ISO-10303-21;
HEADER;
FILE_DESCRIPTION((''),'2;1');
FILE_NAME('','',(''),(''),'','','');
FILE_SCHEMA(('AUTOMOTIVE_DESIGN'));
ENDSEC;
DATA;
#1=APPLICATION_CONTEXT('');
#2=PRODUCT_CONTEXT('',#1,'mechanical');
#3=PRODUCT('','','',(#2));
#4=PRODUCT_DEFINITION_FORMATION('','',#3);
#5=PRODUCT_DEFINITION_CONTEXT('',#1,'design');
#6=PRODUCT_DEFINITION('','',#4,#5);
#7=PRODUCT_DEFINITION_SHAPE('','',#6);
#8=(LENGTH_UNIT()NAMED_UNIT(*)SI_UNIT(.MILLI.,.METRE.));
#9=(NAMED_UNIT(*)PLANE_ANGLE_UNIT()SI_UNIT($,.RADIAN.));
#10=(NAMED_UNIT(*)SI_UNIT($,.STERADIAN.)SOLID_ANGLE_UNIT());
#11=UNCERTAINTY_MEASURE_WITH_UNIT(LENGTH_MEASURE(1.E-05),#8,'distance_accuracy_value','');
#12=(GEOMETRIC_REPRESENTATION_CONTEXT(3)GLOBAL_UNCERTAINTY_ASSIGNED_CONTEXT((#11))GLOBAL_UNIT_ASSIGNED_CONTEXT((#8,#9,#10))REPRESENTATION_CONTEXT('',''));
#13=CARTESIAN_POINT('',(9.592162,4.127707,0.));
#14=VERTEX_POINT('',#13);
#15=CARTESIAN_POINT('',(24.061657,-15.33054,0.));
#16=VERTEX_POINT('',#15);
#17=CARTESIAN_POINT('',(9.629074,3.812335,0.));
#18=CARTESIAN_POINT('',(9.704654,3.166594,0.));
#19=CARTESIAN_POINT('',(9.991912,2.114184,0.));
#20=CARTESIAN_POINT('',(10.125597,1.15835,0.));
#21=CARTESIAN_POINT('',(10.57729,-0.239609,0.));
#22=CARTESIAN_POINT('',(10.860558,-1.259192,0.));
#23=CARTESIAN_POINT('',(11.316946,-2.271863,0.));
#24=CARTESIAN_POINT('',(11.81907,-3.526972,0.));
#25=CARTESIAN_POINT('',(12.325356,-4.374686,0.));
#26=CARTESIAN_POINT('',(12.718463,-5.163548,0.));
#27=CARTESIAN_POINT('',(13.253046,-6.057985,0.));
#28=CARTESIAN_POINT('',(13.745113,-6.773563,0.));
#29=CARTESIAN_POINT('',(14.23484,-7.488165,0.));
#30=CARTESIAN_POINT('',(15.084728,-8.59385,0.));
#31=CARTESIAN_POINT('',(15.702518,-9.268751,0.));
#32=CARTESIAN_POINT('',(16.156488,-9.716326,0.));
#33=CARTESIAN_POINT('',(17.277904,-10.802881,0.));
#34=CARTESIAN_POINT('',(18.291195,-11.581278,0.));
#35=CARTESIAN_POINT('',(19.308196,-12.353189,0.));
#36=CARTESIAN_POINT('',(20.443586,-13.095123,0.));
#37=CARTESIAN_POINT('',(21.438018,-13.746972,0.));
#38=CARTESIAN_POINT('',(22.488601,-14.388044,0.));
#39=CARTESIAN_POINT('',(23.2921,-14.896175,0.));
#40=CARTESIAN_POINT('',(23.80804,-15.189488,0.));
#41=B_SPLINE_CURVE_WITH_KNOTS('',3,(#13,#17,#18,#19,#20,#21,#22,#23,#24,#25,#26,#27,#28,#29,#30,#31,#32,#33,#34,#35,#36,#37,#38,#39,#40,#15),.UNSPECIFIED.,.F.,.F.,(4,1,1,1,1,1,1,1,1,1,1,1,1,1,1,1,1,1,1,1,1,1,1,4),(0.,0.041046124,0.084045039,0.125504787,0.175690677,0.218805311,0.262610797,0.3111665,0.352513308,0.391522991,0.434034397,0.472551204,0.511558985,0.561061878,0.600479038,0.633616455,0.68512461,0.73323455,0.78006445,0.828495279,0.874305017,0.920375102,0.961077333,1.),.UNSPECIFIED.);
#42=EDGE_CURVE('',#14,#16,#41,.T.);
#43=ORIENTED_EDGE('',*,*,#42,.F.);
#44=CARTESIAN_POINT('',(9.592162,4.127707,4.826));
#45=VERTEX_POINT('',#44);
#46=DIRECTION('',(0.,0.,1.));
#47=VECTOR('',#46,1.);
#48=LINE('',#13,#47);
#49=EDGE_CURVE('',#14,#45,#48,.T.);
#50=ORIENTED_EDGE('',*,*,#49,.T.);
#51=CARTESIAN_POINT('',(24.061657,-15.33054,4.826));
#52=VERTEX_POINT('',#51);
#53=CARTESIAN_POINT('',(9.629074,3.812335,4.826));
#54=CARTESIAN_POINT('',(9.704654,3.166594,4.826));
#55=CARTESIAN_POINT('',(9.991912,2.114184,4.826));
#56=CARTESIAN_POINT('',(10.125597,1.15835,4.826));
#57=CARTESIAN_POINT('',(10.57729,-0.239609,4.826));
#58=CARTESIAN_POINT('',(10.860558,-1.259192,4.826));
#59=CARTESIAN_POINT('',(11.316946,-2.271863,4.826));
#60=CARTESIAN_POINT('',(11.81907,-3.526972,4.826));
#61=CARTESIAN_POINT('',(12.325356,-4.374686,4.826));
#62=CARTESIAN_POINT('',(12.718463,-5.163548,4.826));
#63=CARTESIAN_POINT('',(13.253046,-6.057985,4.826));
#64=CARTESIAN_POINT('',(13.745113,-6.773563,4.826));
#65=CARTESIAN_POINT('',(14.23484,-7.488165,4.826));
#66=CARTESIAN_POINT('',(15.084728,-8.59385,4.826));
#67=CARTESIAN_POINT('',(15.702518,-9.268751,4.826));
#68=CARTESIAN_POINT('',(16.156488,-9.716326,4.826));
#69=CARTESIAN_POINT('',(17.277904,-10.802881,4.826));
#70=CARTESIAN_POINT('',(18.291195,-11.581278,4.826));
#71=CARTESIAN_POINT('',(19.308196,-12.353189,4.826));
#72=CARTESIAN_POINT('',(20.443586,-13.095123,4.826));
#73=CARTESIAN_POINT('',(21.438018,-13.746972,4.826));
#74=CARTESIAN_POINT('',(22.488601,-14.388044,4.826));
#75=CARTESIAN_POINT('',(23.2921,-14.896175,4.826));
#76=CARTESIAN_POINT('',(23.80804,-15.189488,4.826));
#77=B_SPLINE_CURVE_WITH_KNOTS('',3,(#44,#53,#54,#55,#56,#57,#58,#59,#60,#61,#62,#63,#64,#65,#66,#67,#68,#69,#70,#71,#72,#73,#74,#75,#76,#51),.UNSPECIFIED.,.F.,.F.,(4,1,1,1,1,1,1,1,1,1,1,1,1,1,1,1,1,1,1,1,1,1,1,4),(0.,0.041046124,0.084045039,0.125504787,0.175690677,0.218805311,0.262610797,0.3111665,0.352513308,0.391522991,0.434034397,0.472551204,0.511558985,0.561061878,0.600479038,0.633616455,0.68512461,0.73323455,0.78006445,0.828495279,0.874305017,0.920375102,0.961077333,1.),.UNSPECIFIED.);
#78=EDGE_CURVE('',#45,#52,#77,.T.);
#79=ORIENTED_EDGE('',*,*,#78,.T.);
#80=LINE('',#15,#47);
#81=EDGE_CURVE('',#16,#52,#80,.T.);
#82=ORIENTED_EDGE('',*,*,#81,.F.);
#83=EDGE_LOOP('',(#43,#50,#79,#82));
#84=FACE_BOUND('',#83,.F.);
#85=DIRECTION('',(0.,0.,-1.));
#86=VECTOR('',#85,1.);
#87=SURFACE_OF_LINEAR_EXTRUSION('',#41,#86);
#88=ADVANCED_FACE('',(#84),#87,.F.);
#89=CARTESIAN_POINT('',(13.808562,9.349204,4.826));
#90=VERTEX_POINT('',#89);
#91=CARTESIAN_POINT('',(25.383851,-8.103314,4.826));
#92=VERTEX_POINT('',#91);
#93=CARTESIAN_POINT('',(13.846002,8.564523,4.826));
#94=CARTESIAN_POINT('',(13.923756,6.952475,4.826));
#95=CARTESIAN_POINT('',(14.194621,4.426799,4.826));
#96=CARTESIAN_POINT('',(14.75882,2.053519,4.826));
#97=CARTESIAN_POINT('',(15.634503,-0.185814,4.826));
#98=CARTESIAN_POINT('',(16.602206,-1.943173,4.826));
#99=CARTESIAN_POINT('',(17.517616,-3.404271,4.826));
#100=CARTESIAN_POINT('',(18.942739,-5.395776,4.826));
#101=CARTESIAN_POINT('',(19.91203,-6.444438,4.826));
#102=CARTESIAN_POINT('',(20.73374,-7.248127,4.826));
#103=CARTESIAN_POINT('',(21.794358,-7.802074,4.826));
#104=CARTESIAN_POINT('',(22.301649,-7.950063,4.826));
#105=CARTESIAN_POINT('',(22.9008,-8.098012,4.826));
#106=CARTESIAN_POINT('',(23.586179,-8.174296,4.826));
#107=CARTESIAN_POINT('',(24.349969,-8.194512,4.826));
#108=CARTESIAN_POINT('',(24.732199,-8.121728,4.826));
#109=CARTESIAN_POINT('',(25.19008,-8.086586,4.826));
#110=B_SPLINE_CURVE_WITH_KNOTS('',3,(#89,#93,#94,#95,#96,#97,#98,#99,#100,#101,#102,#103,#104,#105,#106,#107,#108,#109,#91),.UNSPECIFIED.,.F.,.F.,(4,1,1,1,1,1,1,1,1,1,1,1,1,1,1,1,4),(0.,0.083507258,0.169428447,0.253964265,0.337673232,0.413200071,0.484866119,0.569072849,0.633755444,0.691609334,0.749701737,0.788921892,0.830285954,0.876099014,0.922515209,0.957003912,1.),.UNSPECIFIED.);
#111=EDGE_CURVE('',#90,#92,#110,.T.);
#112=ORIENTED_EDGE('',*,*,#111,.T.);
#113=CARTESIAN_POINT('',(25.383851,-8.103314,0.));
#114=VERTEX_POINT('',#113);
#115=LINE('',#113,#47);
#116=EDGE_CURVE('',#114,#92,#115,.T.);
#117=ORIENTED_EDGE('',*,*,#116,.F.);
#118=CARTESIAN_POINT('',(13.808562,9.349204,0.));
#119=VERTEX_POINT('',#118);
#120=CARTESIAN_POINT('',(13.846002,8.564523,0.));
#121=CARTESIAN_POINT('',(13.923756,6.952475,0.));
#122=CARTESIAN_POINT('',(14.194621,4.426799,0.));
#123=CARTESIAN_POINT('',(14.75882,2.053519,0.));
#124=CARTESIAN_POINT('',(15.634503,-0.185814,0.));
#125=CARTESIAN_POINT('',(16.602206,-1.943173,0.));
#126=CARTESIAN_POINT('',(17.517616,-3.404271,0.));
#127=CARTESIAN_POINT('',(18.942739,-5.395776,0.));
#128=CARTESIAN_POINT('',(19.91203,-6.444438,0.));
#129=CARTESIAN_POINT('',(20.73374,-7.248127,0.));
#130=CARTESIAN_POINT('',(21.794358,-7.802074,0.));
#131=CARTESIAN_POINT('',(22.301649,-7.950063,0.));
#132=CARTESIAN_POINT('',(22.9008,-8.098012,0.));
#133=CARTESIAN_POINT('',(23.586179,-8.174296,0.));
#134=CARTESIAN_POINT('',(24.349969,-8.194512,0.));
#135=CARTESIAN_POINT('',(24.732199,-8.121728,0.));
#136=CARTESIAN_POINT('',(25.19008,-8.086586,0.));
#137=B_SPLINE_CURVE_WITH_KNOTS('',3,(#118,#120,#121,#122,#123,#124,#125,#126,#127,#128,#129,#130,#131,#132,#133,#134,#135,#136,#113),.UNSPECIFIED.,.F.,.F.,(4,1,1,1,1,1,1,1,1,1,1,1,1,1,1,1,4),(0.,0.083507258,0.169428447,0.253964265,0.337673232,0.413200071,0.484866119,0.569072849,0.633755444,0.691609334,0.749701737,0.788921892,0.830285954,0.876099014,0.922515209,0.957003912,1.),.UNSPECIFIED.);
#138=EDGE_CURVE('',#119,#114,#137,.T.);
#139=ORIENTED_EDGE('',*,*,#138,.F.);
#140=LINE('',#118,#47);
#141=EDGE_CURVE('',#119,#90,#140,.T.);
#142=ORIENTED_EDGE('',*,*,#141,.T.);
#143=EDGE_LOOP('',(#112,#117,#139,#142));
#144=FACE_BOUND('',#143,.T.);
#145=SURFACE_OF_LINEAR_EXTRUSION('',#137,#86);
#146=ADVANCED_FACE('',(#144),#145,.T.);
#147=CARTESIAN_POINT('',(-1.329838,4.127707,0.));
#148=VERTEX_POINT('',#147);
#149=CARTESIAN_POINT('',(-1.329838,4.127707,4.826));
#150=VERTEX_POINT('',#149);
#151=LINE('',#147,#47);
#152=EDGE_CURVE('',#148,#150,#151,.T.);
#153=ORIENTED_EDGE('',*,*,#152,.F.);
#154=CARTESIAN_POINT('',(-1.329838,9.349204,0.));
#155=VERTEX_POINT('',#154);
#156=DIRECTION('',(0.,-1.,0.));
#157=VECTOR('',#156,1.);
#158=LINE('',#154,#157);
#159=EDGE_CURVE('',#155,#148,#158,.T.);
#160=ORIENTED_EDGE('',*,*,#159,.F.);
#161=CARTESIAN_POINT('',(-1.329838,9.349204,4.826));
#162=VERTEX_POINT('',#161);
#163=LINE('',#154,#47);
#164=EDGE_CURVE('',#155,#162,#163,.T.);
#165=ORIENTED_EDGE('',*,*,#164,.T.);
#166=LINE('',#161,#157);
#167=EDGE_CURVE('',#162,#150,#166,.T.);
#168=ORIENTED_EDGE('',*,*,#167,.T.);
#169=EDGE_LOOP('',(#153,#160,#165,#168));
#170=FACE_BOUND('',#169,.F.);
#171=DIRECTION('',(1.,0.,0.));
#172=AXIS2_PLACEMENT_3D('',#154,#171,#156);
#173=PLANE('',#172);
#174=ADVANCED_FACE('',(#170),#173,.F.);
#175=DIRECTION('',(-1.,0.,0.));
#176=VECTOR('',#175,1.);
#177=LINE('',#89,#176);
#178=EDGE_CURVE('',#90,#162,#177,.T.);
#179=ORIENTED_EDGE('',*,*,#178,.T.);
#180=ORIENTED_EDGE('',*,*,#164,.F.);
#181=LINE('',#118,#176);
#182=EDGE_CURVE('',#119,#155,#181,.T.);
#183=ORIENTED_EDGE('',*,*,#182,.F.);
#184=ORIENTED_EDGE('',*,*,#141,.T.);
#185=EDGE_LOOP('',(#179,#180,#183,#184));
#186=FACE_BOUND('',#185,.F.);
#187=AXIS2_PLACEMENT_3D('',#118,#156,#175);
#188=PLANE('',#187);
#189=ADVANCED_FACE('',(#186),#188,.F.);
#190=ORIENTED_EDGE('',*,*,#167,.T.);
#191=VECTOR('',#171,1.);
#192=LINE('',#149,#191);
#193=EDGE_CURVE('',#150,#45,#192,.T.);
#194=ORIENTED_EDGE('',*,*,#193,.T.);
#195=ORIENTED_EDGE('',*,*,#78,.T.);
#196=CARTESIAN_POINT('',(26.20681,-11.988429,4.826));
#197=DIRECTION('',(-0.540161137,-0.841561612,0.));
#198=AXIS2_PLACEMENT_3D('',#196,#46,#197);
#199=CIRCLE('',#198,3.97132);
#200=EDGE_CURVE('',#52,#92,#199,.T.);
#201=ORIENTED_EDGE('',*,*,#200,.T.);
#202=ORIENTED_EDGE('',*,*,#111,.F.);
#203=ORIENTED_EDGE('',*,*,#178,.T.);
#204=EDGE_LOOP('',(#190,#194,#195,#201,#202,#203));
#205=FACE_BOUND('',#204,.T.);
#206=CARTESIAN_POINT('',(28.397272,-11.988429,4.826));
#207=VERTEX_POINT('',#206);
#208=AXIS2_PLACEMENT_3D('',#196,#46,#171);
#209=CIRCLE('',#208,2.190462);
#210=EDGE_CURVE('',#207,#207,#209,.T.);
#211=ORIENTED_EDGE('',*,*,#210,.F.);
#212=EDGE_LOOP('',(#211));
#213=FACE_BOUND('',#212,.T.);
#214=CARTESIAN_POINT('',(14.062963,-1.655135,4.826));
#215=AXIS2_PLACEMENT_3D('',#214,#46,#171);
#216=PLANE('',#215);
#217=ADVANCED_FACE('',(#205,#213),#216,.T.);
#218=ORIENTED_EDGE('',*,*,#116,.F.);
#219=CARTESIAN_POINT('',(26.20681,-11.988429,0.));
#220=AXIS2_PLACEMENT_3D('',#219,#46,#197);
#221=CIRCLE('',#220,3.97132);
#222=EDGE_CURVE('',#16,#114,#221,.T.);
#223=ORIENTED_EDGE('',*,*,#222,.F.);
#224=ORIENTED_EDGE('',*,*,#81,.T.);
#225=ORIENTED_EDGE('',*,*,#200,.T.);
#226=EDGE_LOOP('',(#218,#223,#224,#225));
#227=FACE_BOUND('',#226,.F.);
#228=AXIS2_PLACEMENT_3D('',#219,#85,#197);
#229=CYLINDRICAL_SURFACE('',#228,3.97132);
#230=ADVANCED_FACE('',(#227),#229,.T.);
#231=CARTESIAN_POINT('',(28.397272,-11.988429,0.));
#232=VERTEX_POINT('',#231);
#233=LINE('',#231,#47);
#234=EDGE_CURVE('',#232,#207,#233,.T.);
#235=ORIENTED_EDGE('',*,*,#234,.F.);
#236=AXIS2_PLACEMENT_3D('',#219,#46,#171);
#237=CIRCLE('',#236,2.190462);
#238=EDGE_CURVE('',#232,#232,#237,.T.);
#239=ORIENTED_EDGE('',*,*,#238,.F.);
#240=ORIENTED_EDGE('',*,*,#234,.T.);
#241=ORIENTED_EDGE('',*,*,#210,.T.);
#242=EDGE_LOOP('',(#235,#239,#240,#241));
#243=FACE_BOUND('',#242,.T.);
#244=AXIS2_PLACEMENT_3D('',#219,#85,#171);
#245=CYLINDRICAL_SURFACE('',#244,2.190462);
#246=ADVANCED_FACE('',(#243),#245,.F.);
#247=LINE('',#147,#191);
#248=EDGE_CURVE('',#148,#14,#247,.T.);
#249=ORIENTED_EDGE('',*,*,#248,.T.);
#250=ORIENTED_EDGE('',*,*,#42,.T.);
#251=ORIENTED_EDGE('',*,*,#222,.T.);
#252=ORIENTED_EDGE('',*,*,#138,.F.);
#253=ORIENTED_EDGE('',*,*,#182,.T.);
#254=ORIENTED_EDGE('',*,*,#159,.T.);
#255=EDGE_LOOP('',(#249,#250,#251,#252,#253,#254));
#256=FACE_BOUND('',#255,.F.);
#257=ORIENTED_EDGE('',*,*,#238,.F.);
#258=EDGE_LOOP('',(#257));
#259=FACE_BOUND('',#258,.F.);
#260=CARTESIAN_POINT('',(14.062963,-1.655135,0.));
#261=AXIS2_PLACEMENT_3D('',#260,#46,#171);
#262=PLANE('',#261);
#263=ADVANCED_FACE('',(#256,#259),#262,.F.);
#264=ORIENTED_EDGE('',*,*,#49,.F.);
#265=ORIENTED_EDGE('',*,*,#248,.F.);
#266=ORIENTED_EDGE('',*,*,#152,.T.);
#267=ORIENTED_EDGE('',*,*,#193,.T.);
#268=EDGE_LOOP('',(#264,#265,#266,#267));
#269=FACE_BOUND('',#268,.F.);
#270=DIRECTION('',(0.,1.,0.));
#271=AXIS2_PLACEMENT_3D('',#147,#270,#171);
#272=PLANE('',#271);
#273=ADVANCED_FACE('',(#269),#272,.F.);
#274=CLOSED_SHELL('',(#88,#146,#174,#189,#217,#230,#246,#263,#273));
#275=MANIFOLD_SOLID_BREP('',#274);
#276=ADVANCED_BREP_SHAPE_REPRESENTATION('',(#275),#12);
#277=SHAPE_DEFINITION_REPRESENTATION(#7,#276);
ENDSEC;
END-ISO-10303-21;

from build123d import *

# Parameters (mm, degrees)
F0_R     = 2.1904615563
F1_DEPTH = 4.826


with BuildPart() as f1:
    # F0 (on Top) → F1 (new body)
    with BuildSketch(Plane.XY):
        with BuildLine():
            add(Edge.make_bspline(
                [(9.5921617017, 4.1277068667), (9.6290738087, 3.8123354787), (9.7046535752, 3.1665935302), (9.9919115237, 2.1141841261), (10.1255965522, 1.1583497674), (10.5772896548, -0.2396085437), (10.8605576434, -1.2591924489), (11.3169459972, -2.2718629061), (11.8190695361, -3.5269722442), (12.3253560524, -4.3746855198), (12.7184627724, -5.1635480378), (13.253046465, -6.0579849845), (13.7451127956, -6.773563025), (14.2348398877, -7.4881650902), (15.0847279026, -8.5938502306), (15.7025184771, -9.2687508494), (16.1564875668, -9.716326265), (17.2779044467, -10.8028813369), (18.2911948611, -11.5812777306), (19.3081963371, -12.3531891329), (20.443586256, -13.0951229877), (21.438018337, -13.746971804), (22.4886005557, -14.3880439654), (23.29209997, -14.8961749327), (23.8080395291, -15.1894881372), (24.0616571517, -15.3305400449)],
                knots=[0, 0, 0, 0, 0.0410461242, 0.0840450388, 0.125504787, 0.1756906767, 0.2188053115, 0.2626107966, 0.3111664996, 0.3525133076, 0.3915229905, 0.4340343971, 0.4725512038, 0.5115589848, 0.5610618782, 0.6004790377, 0.6336164549, 0.6851246102, 0.7332345504, 0.7800644499, 0.8284952792, 0.8743050169, 0.9203751016, 0.961077333, 1, 1, 1, 1], degree=3))
            ThreePointArc((24.0616571517, -15.3305400449), (30.1132946426, -12.7031059857), (25.3838509527, -8.1033137687))
            add(Edge.make_bspline(
                [(13.8085617017, 9.3492036685), (13.8460020724, 8.5645227918), (13.923755849, 6.95247455), (14.1946207522, 4.4267992849), (14.7588196094, 2.053518814), (15.634502973, -0.1858144788), (16.6022063688, -1.9431726172), (17.5176156494, -3.4042709958), (18.9427393812, -5.3957762283), (19.9120300838, -6.4444376272), (20.7337400063, -7.2481274034), (21.7943575993, -7.8020737742), (22.3016493362, -7.9500631114), (22.9008003601, -8.0980120665), (23.5861791058, -8.1742956281), (24.3499687137, -8.1945121475), (24.7321993496, -8.1217275421), (25.190080126, -8.0865861457), (25.3838509527, -8.1033137687)],
                knots=[0, 0, 0, 0, 0.0835072584, 0.1694284467, 0.2539642649, 0.3376732325, 0.4132000705, 0.484866119, 0.5690728489, 0.633755444, 0.6916093338, 0.7497017369, 0.788921892, 0.8302859537, 0.8760990138, 0.922515209, 0.957003912, 1, 1, 1, 1], degree=3))
            Line((13.8085617017, 9.3492036685), (-1.3298382983, 9.3492036685))
            Line((-1.3298382983, 9.3492036685), (-1.3298382983, 4.1277068667))
            Line((-1.3298382983, 4.1277068667), (9.5921617017, 4.1277068667))
        make_face()
        with Locations((26.2068100274, -11.9884293526)):
            Circle(F0_R, mode=Mode.SUBTRACT)
    extrude(amount=F1_DEPTH)


solid = f1.part
